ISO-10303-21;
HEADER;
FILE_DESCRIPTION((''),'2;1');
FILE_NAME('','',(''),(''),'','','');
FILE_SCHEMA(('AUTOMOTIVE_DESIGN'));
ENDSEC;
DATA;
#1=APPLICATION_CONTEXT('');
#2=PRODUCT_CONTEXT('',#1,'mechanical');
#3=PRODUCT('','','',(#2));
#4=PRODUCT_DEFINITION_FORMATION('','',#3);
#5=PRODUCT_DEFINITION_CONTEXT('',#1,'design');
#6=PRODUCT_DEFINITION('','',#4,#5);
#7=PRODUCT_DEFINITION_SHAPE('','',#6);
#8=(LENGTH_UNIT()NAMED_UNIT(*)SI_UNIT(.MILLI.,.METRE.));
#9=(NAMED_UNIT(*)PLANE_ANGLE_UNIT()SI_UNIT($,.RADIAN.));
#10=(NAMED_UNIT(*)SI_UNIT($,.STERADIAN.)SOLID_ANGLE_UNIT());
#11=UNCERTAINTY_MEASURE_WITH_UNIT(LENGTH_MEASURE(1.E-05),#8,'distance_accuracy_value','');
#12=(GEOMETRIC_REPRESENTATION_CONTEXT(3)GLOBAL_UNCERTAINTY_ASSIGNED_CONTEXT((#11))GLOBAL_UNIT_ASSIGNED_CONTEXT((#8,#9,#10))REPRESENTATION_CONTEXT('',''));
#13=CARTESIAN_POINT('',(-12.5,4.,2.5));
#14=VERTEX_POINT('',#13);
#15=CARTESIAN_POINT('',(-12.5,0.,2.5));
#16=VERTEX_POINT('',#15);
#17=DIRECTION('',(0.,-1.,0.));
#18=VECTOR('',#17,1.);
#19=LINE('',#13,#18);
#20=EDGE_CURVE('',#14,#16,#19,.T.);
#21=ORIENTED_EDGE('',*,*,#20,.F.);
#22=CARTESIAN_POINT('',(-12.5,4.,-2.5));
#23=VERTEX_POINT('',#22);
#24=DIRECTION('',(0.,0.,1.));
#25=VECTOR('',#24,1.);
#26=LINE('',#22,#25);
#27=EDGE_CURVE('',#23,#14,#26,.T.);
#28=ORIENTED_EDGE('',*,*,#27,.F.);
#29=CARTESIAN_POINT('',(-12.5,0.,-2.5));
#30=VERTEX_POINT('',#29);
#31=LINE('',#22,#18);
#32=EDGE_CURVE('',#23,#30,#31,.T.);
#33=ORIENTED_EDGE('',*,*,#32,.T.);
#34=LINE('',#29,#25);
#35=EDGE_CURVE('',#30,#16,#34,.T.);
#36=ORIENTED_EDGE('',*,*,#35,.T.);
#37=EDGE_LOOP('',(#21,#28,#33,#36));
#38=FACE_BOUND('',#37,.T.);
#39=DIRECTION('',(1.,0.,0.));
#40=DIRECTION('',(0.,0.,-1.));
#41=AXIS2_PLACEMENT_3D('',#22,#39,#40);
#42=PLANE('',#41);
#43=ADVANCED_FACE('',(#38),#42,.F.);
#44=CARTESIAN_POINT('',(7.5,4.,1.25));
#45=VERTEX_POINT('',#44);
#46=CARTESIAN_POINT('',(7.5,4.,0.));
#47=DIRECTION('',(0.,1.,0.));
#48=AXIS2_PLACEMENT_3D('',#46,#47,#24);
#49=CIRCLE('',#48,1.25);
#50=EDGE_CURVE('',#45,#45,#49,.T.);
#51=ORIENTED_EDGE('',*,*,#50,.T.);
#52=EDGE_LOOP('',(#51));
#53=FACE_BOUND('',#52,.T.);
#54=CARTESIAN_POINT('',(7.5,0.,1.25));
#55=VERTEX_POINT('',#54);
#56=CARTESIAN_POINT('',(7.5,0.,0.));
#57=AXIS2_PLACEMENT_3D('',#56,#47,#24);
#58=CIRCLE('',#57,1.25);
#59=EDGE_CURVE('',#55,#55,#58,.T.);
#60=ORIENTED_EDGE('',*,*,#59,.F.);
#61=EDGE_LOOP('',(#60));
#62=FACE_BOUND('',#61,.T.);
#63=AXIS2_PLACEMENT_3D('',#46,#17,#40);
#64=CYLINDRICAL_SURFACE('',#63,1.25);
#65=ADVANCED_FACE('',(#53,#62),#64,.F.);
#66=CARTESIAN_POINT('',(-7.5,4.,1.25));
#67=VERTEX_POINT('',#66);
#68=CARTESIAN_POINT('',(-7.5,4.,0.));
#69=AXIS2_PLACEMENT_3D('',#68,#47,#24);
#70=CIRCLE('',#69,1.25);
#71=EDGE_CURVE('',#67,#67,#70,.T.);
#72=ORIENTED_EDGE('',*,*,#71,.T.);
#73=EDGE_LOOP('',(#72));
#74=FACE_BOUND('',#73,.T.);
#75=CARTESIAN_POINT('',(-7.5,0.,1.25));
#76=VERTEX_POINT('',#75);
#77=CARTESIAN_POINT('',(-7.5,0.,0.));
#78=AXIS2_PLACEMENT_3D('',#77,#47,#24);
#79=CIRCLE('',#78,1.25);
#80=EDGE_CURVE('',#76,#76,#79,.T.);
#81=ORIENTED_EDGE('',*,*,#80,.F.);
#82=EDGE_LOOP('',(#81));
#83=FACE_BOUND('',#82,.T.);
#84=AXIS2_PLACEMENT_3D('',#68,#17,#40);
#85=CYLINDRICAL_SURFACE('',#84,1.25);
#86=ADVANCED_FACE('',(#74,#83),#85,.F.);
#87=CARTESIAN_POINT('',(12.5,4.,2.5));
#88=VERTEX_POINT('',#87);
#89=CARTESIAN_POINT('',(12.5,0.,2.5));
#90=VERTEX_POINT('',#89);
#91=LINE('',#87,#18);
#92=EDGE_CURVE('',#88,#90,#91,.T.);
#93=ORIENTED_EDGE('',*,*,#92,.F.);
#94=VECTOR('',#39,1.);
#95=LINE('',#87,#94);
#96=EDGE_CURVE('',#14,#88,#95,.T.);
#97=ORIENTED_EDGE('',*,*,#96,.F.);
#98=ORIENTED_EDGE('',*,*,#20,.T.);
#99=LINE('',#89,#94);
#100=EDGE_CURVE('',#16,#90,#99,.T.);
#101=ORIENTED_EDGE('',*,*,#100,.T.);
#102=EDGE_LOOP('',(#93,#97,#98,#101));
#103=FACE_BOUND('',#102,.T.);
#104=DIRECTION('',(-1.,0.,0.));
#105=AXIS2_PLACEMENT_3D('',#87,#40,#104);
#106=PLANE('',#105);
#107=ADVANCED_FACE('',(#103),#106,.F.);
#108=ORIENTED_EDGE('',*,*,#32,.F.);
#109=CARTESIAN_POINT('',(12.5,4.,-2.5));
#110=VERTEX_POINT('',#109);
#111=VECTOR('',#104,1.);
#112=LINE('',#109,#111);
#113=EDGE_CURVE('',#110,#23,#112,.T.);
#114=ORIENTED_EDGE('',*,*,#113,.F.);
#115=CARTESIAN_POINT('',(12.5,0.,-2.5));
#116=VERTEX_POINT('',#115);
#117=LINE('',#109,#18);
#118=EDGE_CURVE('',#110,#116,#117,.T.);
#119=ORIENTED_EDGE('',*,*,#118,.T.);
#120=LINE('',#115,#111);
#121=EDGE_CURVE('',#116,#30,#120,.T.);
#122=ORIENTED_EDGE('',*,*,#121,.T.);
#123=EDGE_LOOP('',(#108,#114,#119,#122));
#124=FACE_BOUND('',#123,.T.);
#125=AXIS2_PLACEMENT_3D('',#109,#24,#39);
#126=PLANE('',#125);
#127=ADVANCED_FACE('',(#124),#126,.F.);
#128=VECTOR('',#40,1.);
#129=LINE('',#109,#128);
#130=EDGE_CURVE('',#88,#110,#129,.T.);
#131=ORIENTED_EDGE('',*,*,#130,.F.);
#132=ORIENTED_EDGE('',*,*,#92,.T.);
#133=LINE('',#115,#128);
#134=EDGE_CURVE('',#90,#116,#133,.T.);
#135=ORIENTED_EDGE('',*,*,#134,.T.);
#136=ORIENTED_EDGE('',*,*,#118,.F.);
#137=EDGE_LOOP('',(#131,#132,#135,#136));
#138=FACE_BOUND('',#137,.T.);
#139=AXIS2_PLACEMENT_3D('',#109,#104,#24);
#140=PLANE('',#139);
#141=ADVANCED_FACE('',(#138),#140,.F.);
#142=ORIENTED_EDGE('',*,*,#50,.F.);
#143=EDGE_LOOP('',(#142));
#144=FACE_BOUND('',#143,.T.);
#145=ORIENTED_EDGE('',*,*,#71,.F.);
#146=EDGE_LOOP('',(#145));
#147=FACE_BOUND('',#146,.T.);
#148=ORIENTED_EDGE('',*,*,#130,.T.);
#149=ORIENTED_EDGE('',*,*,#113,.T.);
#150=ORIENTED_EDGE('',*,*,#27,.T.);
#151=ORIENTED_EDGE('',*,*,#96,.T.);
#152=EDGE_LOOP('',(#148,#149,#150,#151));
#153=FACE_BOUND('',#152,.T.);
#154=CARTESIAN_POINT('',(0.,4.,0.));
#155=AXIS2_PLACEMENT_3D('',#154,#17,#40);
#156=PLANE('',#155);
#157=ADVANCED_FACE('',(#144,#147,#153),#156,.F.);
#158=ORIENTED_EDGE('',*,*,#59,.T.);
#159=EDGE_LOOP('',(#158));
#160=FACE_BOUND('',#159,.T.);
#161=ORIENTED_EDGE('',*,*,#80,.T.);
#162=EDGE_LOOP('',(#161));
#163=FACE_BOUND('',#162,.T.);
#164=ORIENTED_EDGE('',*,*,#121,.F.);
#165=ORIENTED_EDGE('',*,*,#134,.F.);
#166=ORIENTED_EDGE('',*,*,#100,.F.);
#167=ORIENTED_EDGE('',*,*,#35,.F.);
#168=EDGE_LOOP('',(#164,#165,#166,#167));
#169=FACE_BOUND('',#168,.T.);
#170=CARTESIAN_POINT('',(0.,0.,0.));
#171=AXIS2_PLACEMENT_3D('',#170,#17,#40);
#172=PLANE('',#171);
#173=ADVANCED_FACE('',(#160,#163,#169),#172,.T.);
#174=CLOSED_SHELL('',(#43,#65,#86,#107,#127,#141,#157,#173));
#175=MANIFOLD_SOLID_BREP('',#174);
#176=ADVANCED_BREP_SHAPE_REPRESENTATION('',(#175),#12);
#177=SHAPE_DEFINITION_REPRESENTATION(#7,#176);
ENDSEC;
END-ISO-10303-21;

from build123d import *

# Parameters (mm, degrees)
SKETCH_1_W      = 25
SKETCH_1_H      = 5
SKETCH_1_R      = 1.25
EXTRUDE_1_DEPTH = 4


with BuildPart() as part:
    # 스케치1 → 보스-돌출1 (new body)
    with BuildSketch(Plane(origin=(0, 0, 0), x_dir=(1, 0, 0), z_dir=(0, 1, 0))):
        Rectangle(SKETCH_1_W, SKETCH_1_H)
        with Locations((7.5, 0)):
            Circle(SKETCH_1_R, mode=Mode.SUBTRACT)
        with Locations((-7.5, 0)):
            Circle(SKETCH_1_R, mode=Mode.SUBTRACT)
    extrude(amount=EXTRUDE_1_DEPTH)


solid = part.part
